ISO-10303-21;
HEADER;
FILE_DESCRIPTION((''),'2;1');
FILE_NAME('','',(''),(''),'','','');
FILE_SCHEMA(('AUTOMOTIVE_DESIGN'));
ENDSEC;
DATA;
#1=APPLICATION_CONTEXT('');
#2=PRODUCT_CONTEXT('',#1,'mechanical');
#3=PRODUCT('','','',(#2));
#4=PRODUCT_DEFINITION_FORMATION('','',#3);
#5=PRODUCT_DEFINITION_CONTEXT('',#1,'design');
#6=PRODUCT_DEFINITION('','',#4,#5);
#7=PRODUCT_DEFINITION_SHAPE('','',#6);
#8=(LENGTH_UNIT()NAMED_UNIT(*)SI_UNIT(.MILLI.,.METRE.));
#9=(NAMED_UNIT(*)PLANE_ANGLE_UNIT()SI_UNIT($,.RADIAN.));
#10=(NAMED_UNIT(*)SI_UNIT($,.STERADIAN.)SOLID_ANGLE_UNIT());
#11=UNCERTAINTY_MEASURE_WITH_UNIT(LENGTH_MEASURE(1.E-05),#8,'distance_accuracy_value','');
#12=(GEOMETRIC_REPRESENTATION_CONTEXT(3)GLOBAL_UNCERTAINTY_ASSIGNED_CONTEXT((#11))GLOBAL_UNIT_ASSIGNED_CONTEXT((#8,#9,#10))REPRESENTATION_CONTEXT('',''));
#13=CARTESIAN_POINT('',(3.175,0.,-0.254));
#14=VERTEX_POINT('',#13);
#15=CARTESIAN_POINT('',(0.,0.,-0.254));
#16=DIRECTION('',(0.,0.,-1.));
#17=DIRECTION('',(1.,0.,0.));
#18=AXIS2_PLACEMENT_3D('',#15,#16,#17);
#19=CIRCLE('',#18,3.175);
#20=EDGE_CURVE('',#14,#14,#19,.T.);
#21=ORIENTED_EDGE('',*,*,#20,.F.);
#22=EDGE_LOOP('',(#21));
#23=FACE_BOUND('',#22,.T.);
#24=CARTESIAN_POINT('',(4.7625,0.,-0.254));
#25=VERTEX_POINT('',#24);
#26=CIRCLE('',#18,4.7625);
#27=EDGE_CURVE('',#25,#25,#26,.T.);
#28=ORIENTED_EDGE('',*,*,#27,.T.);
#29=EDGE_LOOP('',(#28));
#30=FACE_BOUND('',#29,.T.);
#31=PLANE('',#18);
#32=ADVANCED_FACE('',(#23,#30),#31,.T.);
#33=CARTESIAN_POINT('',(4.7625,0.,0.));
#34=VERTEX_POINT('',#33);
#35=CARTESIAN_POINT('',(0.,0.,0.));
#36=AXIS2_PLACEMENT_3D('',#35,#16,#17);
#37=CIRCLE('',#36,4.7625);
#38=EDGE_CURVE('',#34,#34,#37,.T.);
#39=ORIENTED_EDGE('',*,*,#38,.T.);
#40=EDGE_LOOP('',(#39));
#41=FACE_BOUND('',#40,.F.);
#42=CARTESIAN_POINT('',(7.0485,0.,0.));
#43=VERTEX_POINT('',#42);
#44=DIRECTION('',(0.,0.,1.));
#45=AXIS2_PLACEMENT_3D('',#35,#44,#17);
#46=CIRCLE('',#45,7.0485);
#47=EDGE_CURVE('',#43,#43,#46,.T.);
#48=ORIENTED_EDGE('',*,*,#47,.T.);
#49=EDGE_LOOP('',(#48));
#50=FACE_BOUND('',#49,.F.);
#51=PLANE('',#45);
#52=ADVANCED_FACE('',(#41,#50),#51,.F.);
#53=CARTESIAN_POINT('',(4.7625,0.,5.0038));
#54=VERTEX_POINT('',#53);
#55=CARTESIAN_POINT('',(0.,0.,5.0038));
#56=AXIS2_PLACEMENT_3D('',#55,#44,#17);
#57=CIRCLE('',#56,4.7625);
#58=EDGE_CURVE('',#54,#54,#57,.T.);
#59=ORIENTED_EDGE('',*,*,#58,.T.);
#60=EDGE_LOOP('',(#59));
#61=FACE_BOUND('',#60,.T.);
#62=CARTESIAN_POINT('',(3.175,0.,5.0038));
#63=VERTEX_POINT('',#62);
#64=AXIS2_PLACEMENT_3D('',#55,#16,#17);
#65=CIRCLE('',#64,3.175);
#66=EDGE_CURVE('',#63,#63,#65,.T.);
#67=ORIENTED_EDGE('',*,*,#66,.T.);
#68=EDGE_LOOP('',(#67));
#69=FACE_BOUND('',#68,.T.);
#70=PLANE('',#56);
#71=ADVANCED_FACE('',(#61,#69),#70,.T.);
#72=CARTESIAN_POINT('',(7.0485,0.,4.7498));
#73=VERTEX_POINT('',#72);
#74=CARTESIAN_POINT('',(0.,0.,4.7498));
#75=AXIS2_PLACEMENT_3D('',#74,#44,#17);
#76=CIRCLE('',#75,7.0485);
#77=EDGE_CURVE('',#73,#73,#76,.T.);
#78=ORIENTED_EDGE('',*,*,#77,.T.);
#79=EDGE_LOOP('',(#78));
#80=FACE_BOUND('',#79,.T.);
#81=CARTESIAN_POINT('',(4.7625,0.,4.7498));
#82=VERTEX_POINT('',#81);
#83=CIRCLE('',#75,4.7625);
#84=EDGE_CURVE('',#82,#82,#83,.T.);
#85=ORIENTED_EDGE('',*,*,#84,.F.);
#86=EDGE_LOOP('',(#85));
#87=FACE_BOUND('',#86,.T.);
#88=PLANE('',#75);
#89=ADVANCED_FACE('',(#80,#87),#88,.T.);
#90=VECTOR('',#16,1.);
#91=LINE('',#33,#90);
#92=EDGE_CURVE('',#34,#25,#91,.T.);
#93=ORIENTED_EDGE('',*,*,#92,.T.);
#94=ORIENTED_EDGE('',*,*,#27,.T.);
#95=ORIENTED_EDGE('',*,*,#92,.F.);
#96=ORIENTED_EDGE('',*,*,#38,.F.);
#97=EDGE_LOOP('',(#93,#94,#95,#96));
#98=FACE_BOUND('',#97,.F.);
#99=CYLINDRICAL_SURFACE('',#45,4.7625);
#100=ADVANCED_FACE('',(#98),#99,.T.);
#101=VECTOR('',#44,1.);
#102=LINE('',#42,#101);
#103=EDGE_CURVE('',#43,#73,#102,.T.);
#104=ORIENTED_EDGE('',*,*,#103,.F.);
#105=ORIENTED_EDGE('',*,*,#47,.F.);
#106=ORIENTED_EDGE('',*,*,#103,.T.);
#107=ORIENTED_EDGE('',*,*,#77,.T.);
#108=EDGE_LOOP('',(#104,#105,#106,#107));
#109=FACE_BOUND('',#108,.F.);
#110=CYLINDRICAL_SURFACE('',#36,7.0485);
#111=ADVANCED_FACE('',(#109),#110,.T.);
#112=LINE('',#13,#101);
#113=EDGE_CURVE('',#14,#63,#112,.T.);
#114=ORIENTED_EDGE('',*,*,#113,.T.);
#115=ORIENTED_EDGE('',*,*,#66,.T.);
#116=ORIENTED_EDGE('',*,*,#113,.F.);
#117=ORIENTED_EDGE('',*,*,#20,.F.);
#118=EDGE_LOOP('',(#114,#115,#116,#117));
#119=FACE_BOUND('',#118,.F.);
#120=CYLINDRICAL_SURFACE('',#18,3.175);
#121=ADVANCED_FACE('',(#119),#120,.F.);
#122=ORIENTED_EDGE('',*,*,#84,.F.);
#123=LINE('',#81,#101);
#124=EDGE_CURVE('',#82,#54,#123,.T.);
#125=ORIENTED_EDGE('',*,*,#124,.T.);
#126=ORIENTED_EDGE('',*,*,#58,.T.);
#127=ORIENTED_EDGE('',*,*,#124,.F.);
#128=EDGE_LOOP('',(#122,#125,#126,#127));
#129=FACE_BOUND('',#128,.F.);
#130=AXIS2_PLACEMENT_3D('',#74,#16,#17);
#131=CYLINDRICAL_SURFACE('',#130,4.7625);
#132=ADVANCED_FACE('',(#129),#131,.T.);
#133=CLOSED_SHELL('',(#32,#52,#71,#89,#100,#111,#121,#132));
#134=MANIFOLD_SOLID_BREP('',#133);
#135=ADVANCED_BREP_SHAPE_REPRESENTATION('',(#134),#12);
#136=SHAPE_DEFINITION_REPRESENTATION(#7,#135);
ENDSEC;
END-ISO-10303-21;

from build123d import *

# Parameters (mm, degrees)
F0_R     = 7.0485
F1_DEPTH = 4.7498
F2_R     = 4.7625
F3_DEPTH = 0.254
F4_R     = 4.7625
F5_DEPTH = 0.254
F6_R     = 3.175
F7_DEPTH = 5.2588


with BuildPart() as f1:
    # F0 (on Top) → F1 (new body)
    with BuildSketch(Plane.XY):
        Circle(F0_R)
    extrude(amount=F1_DEPTH)

    # F2 (on face) → F3 (join)
    with BuildSketch(Plane(origin=(0, 0, 0), x_dir=(1, 0, 0), z_dir=(0, 0, -1))):
        Circle(F2_R)
    extrude(amount=F3_DEPTH)

    # F4 (on face) → F5 (join)
    with BuildSketch(Plane.XY.offset(4.7498)):
        Circle(F4_R)
    extrude(amount=F5_DEPTH)

    # F6 (on face) → F7 (cut, through all)
    with BuildSketch(Plane(origin=(0, 0, -0.254), x_dir=(1, 0, 0), z_dir=(0, 0, -1))):
        Circle(F6_R)
    extrude(amount=-F7_DEPTH, mode=Mode.SUBTRACT)


solid = f1.part
